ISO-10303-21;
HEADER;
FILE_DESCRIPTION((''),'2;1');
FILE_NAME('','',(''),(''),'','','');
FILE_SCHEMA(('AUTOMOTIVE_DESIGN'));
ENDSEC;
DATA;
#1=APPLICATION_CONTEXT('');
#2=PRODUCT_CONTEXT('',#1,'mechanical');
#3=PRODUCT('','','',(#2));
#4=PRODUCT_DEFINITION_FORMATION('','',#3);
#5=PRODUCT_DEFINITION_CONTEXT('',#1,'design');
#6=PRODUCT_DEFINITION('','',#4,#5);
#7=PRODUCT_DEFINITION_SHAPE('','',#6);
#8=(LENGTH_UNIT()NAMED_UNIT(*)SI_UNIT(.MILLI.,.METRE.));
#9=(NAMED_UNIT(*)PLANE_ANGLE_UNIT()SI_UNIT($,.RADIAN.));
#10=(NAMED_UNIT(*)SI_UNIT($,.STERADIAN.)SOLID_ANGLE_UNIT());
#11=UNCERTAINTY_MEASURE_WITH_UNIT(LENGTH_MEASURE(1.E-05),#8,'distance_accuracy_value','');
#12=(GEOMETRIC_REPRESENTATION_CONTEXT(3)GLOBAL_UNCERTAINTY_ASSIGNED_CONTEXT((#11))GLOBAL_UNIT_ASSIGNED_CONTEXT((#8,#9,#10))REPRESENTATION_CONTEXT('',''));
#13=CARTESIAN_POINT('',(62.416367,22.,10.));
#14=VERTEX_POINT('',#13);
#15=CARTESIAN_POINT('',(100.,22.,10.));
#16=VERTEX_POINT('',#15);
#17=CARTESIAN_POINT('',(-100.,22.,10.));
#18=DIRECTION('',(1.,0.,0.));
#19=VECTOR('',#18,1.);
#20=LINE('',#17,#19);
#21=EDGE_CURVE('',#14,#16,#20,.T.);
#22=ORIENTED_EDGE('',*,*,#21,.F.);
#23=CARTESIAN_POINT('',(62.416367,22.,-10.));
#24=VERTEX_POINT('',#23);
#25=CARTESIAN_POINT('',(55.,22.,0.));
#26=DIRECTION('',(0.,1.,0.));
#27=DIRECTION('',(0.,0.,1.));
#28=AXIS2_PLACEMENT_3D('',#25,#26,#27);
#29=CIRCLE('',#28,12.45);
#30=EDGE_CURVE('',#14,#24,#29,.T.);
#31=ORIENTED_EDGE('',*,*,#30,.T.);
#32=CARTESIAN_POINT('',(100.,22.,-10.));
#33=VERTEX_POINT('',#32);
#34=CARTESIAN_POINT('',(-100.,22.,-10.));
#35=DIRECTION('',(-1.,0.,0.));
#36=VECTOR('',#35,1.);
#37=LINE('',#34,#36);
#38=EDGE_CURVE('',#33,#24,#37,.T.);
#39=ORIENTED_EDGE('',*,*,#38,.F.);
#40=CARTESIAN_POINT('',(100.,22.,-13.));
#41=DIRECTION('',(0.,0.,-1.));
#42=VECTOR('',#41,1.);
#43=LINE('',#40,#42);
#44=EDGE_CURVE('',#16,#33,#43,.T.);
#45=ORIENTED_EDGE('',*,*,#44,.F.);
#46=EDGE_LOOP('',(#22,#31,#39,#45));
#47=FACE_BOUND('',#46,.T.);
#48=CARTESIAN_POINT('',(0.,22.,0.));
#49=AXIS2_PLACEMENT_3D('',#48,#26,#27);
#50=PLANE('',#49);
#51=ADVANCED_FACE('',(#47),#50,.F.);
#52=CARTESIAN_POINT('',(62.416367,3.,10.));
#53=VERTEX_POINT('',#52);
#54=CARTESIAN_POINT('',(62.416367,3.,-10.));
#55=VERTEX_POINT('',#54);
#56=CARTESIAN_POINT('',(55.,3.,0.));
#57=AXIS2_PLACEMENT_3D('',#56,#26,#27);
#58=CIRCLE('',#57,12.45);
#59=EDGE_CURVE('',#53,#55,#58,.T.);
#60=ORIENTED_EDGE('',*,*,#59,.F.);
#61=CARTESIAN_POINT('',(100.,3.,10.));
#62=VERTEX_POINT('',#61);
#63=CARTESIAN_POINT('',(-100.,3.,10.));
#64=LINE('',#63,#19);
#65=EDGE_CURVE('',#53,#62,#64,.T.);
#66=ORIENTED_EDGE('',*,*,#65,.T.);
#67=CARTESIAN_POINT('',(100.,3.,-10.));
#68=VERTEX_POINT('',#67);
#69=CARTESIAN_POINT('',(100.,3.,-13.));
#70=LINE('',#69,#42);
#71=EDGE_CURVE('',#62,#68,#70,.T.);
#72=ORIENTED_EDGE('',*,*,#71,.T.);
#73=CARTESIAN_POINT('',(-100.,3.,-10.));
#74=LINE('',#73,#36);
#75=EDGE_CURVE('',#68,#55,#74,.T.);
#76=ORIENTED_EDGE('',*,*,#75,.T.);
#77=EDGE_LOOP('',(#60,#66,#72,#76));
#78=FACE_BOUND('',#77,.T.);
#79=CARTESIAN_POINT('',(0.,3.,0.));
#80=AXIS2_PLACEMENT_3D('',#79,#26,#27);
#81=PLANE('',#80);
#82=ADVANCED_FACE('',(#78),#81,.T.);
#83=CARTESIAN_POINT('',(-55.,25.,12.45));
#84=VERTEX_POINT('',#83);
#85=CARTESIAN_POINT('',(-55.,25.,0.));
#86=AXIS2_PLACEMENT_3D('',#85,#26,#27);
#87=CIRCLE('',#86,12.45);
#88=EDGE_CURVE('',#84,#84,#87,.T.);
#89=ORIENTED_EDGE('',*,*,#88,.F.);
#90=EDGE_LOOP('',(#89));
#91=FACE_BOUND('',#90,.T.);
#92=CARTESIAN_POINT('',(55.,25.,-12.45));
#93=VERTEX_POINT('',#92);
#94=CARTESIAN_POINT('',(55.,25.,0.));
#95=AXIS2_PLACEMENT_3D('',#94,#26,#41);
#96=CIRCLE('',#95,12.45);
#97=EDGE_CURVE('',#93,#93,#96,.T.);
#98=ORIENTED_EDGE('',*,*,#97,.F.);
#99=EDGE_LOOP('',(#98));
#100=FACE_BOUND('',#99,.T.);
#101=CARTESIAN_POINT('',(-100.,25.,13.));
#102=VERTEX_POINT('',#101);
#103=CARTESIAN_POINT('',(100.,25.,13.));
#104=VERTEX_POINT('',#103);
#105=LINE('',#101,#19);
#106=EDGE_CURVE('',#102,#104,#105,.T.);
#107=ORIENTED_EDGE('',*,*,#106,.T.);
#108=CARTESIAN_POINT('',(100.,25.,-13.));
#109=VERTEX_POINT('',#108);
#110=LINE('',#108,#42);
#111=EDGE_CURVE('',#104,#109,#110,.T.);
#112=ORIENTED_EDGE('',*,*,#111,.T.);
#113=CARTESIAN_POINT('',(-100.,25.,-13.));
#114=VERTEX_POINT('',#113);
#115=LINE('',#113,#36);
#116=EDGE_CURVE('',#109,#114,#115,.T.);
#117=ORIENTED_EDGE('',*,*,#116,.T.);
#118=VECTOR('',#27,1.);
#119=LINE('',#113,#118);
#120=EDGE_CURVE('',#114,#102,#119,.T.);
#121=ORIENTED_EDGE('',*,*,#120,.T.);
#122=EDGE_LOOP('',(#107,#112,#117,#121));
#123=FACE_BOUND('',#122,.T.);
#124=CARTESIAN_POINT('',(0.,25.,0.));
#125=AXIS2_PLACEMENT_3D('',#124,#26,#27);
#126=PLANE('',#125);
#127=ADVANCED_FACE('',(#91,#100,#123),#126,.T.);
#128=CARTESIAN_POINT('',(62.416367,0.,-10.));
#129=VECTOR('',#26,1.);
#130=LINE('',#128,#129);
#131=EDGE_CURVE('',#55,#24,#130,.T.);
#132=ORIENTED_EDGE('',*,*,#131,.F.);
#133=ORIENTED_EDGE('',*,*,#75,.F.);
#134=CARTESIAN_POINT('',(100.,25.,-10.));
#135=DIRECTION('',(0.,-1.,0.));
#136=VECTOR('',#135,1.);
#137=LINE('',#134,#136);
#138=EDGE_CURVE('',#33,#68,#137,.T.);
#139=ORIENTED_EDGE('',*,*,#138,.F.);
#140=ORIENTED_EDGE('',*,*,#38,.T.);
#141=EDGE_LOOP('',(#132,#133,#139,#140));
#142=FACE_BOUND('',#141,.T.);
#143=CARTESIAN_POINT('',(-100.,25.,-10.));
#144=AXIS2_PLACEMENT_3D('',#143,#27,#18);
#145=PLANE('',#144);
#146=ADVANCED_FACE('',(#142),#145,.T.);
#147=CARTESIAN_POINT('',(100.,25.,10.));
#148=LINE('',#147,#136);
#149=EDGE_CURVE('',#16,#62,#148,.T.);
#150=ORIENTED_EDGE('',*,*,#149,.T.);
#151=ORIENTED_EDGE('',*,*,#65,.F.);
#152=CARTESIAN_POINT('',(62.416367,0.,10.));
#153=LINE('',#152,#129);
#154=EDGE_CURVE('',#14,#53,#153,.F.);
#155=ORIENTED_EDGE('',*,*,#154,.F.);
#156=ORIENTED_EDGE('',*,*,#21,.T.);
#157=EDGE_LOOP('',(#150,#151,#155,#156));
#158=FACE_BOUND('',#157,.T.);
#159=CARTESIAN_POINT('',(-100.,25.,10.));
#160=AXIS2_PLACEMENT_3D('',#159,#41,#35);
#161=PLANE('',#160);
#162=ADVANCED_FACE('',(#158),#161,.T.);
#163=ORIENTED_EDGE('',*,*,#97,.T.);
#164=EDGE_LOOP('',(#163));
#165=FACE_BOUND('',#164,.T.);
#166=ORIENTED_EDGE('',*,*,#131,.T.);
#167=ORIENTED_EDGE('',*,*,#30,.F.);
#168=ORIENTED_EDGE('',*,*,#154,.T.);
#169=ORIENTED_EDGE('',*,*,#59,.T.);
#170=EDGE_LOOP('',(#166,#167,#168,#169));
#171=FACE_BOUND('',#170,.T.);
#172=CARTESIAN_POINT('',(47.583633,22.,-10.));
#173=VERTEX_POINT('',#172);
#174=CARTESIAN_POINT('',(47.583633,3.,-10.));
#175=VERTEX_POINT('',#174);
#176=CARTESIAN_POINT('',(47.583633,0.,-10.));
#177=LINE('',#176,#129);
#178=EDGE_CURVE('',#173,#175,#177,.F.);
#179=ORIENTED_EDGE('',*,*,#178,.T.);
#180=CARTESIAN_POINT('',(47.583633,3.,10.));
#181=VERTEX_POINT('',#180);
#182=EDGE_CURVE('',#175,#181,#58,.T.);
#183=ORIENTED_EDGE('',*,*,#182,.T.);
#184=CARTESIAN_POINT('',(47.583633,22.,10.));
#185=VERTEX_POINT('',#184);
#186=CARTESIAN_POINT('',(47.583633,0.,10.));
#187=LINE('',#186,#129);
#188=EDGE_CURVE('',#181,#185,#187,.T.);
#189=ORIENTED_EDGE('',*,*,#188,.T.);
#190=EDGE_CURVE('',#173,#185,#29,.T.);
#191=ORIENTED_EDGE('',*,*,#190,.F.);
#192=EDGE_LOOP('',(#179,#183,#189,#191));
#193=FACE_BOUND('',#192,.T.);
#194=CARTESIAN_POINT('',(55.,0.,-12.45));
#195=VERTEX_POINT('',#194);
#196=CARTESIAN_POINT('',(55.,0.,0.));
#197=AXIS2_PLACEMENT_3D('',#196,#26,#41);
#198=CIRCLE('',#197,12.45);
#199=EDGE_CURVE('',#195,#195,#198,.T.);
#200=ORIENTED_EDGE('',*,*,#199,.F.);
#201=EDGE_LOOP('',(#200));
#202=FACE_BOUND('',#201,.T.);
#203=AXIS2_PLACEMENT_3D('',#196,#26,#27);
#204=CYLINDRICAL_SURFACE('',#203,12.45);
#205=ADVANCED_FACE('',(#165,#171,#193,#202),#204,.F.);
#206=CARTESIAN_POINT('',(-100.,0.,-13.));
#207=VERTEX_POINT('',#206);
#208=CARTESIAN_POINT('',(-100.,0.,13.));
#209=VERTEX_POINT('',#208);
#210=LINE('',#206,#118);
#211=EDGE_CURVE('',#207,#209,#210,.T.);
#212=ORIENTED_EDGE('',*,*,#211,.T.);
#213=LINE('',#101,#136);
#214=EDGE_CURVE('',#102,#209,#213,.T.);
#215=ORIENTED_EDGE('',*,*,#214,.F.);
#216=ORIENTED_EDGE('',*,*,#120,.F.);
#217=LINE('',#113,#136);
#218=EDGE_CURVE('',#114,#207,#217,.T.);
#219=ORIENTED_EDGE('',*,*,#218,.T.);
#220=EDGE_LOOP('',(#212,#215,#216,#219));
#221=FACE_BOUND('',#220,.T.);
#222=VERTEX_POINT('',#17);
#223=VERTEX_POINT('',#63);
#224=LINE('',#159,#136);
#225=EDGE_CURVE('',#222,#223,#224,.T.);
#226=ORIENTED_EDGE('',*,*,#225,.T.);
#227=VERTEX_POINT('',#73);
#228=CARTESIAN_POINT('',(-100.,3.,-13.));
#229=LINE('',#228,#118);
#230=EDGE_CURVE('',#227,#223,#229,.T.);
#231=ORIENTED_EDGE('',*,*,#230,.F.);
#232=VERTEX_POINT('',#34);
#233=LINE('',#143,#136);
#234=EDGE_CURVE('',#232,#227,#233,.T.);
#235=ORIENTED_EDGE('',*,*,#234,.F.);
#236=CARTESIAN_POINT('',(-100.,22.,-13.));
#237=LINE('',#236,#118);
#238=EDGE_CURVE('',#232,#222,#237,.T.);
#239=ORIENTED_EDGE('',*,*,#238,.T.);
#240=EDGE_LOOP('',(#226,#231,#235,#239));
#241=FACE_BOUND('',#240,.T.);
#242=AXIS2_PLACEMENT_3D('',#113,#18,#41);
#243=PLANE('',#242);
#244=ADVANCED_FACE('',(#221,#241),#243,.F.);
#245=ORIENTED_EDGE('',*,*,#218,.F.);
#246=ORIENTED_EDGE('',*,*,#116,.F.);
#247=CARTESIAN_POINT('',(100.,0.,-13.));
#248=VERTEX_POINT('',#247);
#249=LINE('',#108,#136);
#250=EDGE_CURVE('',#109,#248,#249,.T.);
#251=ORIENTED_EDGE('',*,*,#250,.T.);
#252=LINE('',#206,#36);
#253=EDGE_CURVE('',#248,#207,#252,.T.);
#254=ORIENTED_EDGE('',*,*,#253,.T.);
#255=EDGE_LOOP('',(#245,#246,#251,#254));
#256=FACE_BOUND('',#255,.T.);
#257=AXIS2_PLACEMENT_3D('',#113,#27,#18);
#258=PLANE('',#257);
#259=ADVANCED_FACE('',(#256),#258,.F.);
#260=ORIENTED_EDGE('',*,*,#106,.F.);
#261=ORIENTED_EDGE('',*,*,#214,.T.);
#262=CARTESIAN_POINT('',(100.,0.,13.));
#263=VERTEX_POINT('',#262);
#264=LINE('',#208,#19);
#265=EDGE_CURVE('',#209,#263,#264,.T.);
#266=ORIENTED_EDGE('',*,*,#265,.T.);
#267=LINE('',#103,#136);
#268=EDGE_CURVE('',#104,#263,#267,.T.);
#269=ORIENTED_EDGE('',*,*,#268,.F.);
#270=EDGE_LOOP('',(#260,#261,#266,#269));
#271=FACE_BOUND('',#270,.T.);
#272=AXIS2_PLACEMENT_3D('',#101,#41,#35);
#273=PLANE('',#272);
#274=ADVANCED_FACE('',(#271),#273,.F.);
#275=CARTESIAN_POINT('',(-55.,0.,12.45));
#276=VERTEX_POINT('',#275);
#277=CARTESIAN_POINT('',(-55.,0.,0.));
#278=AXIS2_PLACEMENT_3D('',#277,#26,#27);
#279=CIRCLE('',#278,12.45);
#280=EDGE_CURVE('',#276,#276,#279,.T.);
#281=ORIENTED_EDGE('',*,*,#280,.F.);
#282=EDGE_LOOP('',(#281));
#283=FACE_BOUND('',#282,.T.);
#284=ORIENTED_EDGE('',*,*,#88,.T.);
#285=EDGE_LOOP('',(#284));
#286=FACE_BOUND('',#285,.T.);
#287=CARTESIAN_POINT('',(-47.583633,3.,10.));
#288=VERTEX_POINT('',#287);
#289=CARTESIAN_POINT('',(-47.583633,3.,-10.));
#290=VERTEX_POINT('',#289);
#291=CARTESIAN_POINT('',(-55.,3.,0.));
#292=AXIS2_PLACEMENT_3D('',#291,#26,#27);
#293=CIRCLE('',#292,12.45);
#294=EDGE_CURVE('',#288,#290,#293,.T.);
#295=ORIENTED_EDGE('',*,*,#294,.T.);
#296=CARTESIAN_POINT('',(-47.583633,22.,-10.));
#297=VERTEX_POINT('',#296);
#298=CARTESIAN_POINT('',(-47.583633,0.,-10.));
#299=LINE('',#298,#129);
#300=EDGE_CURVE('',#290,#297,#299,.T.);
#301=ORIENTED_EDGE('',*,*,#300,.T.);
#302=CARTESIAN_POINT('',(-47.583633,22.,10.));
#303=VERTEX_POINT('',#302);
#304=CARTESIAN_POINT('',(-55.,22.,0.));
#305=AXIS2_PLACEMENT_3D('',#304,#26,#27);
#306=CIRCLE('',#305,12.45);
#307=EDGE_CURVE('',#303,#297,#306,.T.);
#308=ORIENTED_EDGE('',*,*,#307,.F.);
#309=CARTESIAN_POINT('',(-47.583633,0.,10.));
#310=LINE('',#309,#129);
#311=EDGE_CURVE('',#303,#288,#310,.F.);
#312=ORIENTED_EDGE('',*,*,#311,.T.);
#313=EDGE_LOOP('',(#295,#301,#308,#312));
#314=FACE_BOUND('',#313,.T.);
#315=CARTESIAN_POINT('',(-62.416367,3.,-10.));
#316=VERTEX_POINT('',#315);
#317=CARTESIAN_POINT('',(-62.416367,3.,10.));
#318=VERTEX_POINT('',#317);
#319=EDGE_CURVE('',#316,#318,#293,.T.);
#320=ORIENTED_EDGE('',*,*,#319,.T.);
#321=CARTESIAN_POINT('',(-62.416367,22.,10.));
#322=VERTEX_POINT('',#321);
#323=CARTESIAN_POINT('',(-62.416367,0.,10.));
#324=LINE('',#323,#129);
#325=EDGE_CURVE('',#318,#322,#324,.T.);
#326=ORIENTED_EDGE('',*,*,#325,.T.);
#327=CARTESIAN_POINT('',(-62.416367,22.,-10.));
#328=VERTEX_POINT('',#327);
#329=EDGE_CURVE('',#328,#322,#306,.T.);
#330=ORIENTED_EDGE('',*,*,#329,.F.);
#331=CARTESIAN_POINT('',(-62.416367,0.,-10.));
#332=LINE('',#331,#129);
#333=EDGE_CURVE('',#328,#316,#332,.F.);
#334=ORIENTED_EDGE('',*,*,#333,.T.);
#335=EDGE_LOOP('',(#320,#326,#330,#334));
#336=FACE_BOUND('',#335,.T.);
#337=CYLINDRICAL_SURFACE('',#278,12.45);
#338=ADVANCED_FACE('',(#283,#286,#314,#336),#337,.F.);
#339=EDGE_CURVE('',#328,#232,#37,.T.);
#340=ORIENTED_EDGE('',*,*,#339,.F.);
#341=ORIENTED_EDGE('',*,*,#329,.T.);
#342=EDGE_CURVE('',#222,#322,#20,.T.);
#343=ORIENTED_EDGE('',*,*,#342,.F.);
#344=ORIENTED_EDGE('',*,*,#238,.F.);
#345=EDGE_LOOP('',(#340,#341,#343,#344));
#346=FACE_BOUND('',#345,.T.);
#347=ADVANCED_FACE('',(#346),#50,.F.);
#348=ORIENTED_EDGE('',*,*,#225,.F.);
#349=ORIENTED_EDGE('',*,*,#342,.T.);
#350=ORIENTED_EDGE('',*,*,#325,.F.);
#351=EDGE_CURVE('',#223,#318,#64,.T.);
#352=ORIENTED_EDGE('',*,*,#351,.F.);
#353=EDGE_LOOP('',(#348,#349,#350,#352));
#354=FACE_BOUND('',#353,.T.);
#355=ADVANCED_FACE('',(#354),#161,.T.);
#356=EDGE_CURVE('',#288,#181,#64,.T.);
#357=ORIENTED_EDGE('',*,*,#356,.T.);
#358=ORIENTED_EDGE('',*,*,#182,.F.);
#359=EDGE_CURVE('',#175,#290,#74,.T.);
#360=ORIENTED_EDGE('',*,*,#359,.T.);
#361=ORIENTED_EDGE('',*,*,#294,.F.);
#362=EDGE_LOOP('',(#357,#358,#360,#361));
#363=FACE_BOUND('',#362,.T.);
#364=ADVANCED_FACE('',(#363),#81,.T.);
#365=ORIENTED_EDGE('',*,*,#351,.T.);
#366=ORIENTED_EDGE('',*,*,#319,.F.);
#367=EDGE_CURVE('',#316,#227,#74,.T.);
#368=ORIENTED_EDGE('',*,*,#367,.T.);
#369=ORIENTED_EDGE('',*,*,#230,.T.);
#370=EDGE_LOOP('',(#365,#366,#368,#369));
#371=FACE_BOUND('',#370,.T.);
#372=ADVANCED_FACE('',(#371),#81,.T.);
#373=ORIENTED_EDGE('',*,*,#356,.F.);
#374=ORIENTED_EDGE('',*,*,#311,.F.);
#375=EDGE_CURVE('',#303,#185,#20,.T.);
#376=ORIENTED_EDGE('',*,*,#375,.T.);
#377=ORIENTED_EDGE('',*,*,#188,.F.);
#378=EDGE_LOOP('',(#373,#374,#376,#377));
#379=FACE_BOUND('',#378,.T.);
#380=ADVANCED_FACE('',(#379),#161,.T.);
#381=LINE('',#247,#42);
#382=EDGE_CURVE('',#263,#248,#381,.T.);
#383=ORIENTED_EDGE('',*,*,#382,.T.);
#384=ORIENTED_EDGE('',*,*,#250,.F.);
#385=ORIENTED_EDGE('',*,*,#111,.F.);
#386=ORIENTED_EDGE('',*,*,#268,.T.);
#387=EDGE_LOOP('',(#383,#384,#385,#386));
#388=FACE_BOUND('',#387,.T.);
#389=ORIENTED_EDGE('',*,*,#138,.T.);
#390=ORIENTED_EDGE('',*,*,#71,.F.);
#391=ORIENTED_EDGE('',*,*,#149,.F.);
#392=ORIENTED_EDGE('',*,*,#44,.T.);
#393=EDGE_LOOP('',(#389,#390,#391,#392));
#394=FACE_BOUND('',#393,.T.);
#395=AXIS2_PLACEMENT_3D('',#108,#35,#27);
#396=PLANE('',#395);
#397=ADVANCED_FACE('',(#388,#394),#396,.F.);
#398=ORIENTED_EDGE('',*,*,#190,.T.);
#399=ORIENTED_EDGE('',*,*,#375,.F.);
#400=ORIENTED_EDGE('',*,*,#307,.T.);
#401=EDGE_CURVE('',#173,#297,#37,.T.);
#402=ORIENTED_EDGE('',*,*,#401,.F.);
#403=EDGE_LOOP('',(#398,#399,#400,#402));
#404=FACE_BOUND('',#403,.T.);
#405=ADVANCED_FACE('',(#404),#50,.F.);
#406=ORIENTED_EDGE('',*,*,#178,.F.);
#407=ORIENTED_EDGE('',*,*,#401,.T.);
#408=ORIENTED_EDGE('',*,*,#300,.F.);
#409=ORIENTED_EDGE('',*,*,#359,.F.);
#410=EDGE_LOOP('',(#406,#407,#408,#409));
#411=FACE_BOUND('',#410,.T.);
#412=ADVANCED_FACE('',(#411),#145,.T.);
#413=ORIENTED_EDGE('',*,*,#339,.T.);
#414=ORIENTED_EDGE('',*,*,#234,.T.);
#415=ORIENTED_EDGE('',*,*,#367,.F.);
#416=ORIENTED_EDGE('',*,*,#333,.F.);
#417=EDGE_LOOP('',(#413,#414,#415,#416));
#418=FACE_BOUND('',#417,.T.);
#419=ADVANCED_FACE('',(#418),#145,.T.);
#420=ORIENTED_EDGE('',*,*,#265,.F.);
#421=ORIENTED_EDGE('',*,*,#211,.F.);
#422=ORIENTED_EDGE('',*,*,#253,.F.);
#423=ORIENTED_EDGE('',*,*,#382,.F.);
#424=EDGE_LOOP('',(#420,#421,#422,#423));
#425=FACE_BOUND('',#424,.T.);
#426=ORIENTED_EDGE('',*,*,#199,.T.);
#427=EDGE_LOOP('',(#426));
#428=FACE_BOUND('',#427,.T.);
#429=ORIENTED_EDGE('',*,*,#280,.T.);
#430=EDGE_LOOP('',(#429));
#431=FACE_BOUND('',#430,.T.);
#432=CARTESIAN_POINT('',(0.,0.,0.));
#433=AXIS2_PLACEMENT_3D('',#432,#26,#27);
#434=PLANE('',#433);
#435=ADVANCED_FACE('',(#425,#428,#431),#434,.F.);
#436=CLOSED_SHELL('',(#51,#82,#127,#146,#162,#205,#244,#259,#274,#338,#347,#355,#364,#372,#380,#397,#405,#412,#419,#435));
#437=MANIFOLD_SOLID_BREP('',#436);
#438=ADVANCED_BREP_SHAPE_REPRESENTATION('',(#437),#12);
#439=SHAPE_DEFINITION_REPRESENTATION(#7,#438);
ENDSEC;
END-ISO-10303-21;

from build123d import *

# Parameters (mm, degrees)
SKETCH1_W           = 200
SKETCH1_H           = 26
BOSS_EXTRUDE1_DEPTH = 25
SHELL1_T            = -3
SKETCH2_R           = 12.45
CUT_EXTRUDE1_DEPTH  = 25


with BuildPart() as part:
    # Sketch1 → Boss-Extrude1 (new body)
    with BuildSketch(Plane(origin=(0, 0, 0), x_dir=(1, 0, 0), z_dir=(0, 1, 0))):
        Rectangle(SKETCH1_W, SKETCH1_H)
    extrude(amount=BOSS_EXTRUDE1_DEPTH)

    # Shell1
    shell1_openings = [part.faces().sort_by_distance(p)[0] for p in [
        (100, 12.5, 0),
        (-100, 12.5, 0),
    ]]
    offset(amount=SHELL1_T, openings=shell1_openings, kind=Kind.INTERSECTION)

    # Sketch2 → Cut-Extrude1 (cut)
    with BuildSketch(Plane(origin=(0, 25, 0), x_dir=(1, 0, 0), z_dir=(0, 1, 0))):
        with Locations((-55, 0)):
            Circle(SKETCH2_R)
        with Locations((55, 0)):
            Circle(SKETCH2_R)
    extrude(amount=-CUT_EXTRUDE1_DEPTH, mode=Mode.SUBTRACT)


solid = part.part
